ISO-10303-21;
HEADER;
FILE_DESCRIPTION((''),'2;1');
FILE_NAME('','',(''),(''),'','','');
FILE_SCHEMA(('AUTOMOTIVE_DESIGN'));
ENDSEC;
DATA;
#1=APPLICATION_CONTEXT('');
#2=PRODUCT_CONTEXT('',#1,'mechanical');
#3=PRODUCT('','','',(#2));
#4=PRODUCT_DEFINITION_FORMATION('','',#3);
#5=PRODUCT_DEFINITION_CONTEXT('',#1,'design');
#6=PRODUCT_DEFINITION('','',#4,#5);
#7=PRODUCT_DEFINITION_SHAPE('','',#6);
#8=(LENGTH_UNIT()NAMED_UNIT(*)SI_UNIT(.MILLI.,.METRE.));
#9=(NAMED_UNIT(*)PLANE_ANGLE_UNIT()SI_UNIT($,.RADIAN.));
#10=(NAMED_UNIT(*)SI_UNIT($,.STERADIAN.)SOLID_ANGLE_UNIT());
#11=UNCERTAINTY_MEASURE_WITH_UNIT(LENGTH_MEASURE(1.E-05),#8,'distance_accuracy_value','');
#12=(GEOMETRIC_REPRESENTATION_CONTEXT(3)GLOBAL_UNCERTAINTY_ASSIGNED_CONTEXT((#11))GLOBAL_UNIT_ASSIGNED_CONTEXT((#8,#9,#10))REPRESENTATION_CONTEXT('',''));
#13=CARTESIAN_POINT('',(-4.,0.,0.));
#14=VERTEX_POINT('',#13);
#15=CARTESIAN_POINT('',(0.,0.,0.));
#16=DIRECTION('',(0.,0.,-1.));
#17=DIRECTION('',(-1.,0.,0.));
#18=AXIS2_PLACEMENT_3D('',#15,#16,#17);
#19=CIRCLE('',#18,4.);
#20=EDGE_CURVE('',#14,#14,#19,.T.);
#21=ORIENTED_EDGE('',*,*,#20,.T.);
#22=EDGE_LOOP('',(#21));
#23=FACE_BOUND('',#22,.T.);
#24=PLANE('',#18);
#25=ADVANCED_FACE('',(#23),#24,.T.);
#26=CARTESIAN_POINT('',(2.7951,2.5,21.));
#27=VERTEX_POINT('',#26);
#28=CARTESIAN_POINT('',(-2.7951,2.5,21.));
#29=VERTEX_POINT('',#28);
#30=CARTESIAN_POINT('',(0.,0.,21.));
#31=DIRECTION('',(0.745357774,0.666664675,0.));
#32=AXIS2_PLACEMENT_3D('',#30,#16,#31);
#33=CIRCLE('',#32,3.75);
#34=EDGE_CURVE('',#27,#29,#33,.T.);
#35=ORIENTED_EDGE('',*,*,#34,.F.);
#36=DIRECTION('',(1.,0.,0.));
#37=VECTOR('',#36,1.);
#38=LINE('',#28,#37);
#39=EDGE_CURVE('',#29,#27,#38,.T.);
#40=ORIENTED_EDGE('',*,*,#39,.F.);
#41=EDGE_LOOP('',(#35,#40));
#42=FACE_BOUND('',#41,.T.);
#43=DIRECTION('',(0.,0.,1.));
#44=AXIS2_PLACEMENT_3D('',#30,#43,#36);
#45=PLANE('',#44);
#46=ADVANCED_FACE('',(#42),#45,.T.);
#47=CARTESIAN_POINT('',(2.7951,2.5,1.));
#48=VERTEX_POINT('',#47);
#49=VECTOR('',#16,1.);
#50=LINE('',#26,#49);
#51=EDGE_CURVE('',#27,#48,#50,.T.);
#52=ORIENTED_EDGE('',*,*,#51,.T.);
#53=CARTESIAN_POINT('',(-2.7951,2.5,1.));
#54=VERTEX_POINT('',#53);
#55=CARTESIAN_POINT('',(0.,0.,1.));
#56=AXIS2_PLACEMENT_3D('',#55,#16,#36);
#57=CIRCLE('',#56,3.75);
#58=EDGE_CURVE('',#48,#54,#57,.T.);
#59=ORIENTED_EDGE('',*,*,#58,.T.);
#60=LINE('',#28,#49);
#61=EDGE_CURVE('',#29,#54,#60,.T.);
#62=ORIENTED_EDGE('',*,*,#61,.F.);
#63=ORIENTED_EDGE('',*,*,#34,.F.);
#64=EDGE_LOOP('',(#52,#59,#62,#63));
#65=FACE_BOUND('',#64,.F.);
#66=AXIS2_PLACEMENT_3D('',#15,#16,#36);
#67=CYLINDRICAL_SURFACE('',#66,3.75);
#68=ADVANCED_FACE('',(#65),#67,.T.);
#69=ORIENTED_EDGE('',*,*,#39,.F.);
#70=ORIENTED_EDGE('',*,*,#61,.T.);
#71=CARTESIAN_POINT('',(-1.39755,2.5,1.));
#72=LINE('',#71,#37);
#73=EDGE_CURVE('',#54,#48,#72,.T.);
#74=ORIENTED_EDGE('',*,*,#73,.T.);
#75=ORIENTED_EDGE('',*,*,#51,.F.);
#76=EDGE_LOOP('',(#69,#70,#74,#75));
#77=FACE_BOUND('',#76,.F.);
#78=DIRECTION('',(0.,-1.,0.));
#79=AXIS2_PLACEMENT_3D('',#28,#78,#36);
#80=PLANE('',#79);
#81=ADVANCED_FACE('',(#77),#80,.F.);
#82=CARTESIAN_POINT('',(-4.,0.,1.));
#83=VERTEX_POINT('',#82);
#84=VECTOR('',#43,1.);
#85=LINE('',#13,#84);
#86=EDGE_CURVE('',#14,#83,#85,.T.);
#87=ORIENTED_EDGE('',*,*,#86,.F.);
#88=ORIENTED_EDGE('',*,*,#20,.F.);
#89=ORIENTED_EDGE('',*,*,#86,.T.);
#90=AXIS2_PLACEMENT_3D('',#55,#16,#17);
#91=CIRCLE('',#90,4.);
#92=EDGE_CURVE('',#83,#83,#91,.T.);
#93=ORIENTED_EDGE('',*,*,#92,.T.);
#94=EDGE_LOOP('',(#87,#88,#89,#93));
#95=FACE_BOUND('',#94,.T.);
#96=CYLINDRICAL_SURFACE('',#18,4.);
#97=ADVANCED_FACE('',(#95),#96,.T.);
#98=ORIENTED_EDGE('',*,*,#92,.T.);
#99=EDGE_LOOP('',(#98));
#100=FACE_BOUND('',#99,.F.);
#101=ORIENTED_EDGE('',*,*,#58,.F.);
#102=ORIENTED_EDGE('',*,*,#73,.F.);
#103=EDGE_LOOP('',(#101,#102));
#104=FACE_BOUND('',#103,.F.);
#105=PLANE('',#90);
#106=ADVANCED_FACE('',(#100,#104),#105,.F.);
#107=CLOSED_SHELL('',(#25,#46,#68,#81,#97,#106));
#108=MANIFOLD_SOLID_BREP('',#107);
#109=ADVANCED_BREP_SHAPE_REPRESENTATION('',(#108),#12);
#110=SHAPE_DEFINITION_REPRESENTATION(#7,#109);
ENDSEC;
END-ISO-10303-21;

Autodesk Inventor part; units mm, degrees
ref_plane "YZ Plane" through (0, 0, 0) normal (1, 0, 0) x (0, 1, 0)
ref_plane "XZ Plane" through (0, 0, 0) normal (0, 1, 0) x (-1, 0, 0)
ref_plane "XY Plane" through (0, 0, 0) normal (0, 0, 1) x (1, 0, 0)
sketch "Sketch1" plane through (0, 0, 0) normal (0, 0, 1) x (1, 0, 0)
  circle A0 centre (0, 0) radius 3.75
  dimension "d0" = 7.5
extrude "Extrusion1" add sketch "Sketch1" along normal blind 21
sketch "Sketch2" plane through (0, 0, 21) normal (0, 0, 1) x (1, 0, 0)
  circle A0 centre (0, 0) radius 3.75 projected
  line L0 (-2.7951, 2.5) -> (2.7951, 2.5)
  dimension "d3" = 2.5
extrude "Extrusion2" cut sketch "Sketch2" against normal through all contours L0 A0 picked at (-0.7066, 2.6978)
sketch "Sketch3" plane through (0, 0, 0) normal (0, 0, -1) x (-1, 0, 0)
  circle A0 centre (0, 0) radius 4
  dimension "d6" = 8
extrude "Extrusion3" add sketch "Sketch3" against normal blind 1
properties material "Stainless Steel"
